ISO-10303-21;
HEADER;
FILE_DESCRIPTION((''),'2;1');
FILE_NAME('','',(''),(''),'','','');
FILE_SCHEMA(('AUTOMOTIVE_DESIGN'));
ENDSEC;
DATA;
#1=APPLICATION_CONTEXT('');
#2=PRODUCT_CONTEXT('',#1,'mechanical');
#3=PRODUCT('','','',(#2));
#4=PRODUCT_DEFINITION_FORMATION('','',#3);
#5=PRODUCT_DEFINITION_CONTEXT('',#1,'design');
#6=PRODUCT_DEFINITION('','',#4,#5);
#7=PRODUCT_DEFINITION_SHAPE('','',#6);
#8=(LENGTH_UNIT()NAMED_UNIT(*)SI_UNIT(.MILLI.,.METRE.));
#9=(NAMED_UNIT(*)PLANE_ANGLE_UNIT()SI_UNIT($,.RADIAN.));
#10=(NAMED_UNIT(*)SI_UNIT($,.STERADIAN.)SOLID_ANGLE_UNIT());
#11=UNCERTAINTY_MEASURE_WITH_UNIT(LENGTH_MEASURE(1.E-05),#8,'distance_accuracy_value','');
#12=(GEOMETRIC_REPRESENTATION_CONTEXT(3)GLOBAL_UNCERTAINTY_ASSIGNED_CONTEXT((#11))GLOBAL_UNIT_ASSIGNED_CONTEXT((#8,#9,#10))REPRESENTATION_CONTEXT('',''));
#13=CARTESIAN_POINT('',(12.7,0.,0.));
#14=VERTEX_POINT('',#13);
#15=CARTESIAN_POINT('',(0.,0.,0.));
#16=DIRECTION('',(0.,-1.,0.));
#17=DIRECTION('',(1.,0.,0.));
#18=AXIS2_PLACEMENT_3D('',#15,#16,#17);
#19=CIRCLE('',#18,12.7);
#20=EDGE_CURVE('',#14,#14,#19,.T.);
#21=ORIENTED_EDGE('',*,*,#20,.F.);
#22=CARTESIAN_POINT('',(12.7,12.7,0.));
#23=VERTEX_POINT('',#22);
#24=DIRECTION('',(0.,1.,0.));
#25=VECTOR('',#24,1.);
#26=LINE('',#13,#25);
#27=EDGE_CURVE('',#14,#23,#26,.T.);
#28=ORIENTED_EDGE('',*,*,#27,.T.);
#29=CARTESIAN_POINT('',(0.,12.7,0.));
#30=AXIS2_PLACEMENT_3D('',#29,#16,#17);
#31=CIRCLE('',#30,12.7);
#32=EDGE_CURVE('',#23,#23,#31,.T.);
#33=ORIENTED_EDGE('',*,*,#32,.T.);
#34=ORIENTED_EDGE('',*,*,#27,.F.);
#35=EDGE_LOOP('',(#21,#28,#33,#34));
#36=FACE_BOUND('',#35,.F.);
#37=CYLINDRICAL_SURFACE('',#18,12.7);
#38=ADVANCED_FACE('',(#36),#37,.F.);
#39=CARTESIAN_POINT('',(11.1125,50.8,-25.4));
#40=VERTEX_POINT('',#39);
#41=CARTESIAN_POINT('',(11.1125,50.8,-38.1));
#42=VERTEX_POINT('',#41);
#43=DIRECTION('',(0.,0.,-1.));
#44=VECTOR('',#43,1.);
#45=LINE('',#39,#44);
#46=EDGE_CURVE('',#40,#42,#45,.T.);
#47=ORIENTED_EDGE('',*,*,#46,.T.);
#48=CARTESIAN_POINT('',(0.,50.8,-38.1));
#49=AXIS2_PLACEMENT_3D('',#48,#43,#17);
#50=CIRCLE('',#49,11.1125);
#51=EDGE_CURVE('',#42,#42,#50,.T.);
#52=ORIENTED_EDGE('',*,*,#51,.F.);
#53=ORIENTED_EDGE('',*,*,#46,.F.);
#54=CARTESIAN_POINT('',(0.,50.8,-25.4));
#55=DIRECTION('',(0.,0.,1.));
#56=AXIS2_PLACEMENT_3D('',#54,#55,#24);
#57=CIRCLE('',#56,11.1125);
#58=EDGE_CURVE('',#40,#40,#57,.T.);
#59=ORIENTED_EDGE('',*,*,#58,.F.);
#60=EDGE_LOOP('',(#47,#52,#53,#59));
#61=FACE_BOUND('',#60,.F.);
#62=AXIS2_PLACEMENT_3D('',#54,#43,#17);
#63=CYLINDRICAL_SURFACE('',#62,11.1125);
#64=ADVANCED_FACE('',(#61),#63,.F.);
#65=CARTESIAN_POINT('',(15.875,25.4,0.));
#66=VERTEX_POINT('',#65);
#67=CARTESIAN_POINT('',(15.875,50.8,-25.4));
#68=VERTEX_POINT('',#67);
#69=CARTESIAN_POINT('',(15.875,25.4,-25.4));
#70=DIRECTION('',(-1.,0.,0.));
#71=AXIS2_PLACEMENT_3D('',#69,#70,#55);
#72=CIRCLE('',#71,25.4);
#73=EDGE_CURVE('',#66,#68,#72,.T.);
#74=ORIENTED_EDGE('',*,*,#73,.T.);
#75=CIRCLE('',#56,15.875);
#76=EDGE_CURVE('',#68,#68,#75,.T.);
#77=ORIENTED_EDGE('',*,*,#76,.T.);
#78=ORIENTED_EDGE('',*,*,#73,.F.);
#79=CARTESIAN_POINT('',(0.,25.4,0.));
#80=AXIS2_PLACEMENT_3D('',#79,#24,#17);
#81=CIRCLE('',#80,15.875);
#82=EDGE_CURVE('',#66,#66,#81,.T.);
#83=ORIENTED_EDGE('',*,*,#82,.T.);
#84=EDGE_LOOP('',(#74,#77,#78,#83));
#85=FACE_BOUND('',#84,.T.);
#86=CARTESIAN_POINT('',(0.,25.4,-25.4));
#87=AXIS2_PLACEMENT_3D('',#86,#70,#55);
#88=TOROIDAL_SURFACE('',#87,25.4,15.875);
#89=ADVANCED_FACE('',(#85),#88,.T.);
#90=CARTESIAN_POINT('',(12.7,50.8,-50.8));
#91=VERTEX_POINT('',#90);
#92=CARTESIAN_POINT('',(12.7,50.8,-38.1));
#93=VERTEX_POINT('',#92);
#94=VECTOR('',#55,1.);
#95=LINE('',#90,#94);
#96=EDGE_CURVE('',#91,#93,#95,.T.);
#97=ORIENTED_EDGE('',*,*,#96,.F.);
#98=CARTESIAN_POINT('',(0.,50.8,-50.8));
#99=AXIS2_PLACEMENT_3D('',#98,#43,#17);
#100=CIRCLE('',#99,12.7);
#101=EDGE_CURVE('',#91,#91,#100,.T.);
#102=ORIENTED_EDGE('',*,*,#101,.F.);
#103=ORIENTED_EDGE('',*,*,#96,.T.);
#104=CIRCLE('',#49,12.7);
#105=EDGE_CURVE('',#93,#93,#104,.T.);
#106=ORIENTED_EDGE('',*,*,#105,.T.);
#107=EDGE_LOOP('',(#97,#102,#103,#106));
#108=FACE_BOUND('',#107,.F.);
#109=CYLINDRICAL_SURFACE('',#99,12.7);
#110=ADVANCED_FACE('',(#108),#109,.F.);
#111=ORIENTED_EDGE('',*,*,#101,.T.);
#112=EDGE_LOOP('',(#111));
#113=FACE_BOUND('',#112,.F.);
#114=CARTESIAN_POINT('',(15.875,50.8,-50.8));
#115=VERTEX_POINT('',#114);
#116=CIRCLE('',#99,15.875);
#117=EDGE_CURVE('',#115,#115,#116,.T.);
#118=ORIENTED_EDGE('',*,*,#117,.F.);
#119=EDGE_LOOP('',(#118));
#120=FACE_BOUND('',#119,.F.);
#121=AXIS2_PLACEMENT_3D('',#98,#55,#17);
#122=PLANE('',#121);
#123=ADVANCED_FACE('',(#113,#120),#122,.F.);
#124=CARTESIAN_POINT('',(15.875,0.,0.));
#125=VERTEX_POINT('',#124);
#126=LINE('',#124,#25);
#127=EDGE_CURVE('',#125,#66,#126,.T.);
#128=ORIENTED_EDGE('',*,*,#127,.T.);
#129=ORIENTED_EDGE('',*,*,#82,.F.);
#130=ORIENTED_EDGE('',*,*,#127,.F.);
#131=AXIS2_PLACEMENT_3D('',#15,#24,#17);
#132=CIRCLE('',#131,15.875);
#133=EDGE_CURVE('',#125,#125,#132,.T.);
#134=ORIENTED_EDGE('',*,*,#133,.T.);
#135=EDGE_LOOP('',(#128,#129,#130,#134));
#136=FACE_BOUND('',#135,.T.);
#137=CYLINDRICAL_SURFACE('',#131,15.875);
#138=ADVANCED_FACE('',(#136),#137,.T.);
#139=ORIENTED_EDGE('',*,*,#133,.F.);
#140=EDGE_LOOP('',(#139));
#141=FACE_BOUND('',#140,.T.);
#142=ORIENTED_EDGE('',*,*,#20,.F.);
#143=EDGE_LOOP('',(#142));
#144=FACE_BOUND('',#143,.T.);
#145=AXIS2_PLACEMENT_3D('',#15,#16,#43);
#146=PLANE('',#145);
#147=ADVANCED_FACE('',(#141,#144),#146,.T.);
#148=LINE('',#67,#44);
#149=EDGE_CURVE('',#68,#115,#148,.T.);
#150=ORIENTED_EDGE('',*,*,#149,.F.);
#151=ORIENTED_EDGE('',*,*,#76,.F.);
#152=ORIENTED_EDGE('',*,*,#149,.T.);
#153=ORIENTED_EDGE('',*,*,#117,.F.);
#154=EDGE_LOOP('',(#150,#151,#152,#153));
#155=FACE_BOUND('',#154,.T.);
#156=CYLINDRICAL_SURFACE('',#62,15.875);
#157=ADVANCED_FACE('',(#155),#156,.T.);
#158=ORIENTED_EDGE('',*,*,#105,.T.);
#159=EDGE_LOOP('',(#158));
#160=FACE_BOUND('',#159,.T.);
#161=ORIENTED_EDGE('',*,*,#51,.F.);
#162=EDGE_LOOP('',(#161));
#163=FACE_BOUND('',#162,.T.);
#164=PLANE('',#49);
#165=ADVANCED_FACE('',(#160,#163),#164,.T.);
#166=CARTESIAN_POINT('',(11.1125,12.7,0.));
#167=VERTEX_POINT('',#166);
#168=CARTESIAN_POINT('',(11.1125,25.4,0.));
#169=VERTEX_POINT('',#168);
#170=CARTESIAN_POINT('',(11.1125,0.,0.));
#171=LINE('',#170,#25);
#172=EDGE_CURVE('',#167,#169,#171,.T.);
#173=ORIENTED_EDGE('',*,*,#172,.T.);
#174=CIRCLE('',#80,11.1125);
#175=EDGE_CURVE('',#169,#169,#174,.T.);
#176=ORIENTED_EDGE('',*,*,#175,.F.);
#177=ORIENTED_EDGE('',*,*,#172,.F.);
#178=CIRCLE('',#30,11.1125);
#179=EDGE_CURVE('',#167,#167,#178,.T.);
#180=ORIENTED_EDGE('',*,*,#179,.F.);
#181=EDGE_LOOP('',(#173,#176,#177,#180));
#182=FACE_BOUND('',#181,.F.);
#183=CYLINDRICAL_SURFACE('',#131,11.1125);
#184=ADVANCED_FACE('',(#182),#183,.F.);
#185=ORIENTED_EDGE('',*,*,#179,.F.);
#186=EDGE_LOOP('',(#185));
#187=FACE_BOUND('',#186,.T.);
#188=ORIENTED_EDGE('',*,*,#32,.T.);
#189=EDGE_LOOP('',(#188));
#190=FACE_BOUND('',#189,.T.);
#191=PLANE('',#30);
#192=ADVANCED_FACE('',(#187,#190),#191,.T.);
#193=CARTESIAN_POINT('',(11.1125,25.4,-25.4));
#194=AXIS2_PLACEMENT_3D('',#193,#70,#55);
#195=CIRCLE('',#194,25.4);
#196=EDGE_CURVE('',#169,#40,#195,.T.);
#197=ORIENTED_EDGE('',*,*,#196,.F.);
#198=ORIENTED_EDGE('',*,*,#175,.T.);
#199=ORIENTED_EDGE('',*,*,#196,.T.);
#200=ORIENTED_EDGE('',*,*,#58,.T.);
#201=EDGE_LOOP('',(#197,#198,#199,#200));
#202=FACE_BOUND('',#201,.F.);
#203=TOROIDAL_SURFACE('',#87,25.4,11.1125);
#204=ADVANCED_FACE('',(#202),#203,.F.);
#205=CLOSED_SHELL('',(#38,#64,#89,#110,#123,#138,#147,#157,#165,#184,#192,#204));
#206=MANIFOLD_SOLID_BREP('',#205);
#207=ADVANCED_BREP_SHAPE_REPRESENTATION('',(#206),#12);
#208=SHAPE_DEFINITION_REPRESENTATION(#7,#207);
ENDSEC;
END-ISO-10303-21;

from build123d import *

# Parameters (mm, degrees)
F0_R     = 15.875
F0_R_2   = 11.1125
F3_R     = 12.7
F3_R_2   = 11.1125
F4_DEPTH = 12.7
F5_R     = 12.7
F5_R_2   = 11.1125
F6_DEPTH = 12.7


with BuildPart() as f2:
    # F2: sweep along a path in F1
    with BuildLine(Plane.YZ) as f2_path:
        Line((0, 0), (25.4, 0))
        ThreePointArc((25.4, 0), (43.3605122421, -7.4394877579), (50.8, -25.4))
        Line((50.8, -25.4), (50.8, -50.8))
    # F0 (on Front) → F2 (sweep)
    with BuildSketch(Plane.XZ):
        Circle(F0_R)
        Circle(F0_R_2, mode=Mode.SUBTRACT)
    sweep(path=f2_path.line)

    # F3 (on face) → F4 (cut)
    with BuildSketch(Plane.XZ):
        Circle(F3_R)
        Circle(F3_R_2, mode=Mode.SUBTRACT)
    extrude(amount=-F4_DEPTH, mode=Mode.SUBTRACT)

    # F5 (on face) → F6 (cut)
    with BuildSketch(Plane(origin=(0, 0, -50.8), x_dir=(1, 0, 0), z_dir=(0, 0, -1))):
        with Locations((0, -50.8)):
            Circle(F5_R)
        with Locations((0, -50.8)):
            Circle(F5_R_2, mode=Mode.SUBTRACT)
    extrude(amount=-F6_DEPTH, mode=Mode.SUBTRACT)


solid = f2.part
